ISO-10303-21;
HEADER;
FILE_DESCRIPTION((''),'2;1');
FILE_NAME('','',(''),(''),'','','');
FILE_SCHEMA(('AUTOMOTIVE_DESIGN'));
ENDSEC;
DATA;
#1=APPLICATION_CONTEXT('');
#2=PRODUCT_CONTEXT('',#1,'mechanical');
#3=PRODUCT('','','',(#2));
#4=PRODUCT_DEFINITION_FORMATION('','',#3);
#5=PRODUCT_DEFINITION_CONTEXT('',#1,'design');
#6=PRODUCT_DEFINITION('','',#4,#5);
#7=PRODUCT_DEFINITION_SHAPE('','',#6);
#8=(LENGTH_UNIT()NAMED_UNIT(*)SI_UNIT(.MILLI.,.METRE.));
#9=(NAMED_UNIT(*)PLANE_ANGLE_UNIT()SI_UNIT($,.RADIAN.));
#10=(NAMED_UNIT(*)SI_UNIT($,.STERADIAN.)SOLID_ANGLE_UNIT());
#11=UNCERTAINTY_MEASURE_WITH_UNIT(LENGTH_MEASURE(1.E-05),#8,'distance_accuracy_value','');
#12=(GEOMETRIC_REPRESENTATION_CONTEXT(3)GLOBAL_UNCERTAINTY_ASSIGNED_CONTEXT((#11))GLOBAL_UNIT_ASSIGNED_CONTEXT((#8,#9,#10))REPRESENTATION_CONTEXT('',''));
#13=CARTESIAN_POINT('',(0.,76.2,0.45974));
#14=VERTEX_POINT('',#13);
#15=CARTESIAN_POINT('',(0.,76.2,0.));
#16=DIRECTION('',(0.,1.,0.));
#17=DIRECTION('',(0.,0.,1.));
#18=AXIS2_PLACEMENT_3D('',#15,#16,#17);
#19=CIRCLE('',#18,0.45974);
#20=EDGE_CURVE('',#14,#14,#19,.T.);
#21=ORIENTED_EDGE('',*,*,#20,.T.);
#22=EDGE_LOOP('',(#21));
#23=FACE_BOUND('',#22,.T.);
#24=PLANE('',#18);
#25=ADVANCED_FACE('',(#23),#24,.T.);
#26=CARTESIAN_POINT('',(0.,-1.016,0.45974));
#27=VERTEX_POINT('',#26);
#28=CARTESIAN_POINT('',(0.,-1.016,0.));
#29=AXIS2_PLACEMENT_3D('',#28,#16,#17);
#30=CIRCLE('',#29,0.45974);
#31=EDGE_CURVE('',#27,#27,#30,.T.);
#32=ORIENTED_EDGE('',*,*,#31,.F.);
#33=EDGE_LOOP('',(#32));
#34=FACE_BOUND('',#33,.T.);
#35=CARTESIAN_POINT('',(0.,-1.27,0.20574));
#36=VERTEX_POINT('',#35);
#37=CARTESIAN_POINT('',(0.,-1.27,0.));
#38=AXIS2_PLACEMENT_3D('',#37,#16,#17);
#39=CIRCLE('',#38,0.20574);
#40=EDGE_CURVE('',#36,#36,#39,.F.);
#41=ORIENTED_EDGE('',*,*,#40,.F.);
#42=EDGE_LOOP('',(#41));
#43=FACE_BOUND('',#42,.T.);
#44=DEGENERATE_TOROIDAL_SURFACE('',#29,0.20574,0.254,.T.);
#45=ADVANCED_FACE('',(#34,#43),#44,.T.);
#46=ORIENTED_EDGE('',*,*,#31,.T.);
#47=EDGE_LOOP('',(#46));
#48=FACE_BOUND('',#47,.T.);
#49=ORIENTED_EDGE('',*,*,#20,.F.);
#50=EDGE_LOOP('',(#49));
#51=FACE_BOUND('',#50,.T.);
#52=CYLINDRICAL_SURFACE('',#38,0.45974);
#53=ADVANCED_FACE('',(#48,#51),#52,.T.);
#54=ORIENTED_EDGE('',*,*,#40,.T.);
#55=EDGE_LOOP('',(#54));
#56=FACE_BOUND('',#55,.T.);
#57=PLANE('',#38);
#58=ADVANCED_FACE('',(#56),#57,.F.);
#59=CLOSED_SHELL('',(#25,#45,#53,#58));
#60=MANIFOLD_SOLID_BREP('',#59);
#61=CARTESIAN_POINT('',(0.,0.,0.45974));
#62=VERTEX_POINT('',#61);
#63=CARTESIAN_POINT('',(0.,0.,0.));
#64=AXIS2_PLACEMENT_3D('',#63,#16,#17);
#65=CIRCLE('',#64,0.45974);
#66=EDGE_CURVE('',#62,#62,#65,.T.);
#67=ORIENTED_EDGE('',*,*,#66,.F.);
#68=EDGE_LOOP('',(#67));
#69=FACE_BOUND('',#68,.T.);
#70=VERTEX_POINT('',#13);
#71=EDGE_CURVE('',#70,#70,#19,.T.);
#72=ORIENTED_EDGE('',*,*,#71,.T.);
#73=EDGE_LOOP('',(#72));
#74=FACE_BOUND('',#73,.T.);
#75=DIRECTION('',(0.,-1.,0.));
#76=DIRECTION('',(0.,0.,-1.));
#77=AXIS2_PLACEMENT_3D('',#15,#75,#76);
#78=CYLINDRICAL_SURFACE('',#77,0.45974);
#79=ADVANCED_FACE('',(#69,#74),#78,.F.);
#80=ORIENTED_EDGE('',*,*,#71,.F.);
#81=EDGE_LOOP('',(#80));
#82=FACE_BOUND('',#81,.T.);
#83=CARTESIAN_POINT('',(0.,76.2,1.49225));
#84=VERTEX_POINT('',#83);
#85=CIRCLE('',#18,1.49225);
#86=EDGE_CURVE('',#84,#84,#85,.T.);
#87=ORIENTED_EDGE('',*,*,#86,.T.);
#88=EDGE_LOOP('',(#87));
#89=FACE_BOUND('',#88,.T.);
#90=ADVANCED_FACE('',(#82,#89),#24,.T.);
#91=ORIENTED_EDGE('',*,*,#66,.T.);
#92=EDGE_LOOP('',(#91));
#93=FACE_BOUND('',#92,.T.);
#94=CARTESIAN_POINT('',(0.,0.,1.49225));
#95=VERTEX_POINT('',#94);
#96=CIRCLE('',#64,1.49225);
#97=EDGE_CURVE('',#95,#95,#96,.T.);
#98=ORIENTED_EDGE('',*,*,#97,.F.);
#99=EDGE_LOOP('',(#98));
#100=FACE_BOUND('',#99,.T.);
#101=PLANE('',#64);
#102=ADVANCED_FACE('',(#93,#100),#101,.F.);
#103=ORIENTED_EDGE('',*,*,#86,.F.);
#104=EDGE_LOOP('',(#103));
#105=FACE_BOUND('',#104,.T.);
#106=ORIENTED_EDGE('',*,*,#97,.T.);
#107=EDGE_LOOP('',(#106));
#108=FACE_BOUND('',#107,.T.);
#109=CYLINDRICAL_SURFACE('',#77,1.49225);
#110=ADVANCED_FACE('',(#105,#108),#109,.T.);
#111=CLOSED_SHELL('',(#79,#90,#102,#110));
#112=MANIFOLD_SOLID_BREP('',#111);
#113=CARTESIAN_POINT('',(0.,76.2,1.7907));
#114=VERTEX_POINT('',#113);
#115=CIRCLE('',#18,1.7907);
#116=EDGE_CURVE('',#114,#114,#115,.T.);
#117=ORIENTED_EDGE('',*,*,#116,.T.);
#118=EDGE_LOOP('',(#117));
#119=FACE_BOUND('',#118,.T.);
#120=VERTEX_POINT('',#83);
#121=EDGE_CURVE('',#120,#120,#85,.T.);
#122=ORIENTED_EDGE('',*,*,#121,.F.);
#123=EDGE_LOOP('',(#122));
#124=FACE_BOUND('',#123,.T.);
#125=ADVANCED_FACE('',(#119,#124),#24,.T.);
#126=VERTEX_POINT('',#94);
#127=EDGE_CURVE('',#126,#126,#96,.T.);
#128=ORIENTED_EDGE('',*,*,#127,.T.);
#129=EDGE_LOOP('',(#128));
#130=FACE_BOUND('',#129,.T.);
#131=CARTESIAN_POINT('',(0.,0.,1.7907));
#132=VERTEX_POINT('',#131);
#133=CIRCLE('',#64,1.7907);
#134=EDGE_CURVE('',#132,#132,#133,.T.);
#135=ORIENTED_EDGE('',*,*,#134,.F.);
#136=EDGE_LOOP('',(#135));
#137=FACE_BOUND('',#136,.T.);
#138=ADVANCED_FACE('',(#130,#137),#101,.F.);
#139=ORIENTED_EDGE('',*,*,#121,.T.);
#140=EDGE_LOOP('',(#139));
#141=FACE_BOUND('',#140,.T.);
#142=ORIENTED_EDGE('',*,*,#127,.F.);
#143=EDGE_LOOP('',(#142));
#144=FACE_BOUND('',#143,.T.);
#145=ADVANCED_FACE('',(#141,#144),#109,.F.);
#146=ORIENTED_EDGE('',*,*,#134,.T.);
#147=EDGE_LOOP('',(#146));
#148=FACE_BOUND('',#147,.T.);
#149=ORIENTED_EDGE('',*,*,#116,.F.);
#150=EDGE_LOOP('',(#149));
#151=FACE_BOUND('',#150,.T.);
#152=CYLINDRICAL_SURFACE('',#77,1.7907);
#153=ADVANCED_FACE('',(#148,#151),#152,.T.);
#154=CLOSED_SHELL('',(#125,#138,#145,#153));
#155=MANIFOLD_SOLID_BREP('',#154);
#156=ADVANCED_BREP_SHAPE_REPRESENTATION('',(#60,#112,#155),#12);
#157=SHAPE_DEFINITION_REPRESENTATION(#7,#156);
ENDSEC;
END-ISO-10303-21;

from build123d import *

# Parameters (mm, degrees)
SKETCH1_R                = 0.45974
BOSS_EXTRUDE1_DEPTH      = 76.2
BOSS_EXTRUDE1_DEPTH_BACK = 1.27
SKETCH2_R                = 1.49225
SKETCH2_R_2              = 0.45974
BOSS_EXTRUDE2_DEPTH      = 76.2
SKETCH3_R                = 1.7907
SKETCH3_R_2              = 1.49225
BOSS_EXTRUDE3_DEPTH      = 76.2
FILLET1_R                = 0.254


with BuildPart() as part:
    # Sketch1 → Boss-Extrude1 (new body, two sides)
    with BuildSketch(Plane(origin=(0, 0, 0), x_dir=(1, 0, 0), z_dir=(0, 1, 0))) as boss_extrude1_sk:
        Circle(SKETCH1_R)
    extrude(amount=BOSS_EXTRUDE1_DEPTH)
    extrude(boss_extrude1_sk.sketch, amount=-BOSS_EXTRUDE1_DEPTH_BACK)

    # Fillet1
    fillet1_edges = [part.edges().sort_by_distance(p)[0] for p in [
        (-0.45974, -1.27, 0),
    ]]
    fillet(fillet1_edges, radius=FILLET1_R)


with BuildPart() as body_2:
    # Sketch2 → Boss-Extrude2 (new body)
    with BuildSketch(Plane(origin=(0, 0, 0), x_dir=(1, 0, 0), z_dir=(0, 1, 0))):
        Circle(SKETCH2_R)
        Circle(SKETCH2_R_2, mode=Mode.SUBTRACT)
    extrude(amount=BOSS_EXTRUDE2_DEPTH)


with BuildPart() as body_3:
    # Sketch3 → Boss-Extrude3 (new body)
    with BuildSketch(Plane(origin=(0, 0, 0), x_dir=(1, 0, 0), z_dir=(0, 1, 0))):
        Circle(SKETCH3_R)
        Circle(SKETCH3_R_2, mode=Mode.SUBTRACT)
    extrude(amount=BOSS_EXTRUDE3_DEPTH)


solid = Compound([part.part, body_2.part, body_3.part])
